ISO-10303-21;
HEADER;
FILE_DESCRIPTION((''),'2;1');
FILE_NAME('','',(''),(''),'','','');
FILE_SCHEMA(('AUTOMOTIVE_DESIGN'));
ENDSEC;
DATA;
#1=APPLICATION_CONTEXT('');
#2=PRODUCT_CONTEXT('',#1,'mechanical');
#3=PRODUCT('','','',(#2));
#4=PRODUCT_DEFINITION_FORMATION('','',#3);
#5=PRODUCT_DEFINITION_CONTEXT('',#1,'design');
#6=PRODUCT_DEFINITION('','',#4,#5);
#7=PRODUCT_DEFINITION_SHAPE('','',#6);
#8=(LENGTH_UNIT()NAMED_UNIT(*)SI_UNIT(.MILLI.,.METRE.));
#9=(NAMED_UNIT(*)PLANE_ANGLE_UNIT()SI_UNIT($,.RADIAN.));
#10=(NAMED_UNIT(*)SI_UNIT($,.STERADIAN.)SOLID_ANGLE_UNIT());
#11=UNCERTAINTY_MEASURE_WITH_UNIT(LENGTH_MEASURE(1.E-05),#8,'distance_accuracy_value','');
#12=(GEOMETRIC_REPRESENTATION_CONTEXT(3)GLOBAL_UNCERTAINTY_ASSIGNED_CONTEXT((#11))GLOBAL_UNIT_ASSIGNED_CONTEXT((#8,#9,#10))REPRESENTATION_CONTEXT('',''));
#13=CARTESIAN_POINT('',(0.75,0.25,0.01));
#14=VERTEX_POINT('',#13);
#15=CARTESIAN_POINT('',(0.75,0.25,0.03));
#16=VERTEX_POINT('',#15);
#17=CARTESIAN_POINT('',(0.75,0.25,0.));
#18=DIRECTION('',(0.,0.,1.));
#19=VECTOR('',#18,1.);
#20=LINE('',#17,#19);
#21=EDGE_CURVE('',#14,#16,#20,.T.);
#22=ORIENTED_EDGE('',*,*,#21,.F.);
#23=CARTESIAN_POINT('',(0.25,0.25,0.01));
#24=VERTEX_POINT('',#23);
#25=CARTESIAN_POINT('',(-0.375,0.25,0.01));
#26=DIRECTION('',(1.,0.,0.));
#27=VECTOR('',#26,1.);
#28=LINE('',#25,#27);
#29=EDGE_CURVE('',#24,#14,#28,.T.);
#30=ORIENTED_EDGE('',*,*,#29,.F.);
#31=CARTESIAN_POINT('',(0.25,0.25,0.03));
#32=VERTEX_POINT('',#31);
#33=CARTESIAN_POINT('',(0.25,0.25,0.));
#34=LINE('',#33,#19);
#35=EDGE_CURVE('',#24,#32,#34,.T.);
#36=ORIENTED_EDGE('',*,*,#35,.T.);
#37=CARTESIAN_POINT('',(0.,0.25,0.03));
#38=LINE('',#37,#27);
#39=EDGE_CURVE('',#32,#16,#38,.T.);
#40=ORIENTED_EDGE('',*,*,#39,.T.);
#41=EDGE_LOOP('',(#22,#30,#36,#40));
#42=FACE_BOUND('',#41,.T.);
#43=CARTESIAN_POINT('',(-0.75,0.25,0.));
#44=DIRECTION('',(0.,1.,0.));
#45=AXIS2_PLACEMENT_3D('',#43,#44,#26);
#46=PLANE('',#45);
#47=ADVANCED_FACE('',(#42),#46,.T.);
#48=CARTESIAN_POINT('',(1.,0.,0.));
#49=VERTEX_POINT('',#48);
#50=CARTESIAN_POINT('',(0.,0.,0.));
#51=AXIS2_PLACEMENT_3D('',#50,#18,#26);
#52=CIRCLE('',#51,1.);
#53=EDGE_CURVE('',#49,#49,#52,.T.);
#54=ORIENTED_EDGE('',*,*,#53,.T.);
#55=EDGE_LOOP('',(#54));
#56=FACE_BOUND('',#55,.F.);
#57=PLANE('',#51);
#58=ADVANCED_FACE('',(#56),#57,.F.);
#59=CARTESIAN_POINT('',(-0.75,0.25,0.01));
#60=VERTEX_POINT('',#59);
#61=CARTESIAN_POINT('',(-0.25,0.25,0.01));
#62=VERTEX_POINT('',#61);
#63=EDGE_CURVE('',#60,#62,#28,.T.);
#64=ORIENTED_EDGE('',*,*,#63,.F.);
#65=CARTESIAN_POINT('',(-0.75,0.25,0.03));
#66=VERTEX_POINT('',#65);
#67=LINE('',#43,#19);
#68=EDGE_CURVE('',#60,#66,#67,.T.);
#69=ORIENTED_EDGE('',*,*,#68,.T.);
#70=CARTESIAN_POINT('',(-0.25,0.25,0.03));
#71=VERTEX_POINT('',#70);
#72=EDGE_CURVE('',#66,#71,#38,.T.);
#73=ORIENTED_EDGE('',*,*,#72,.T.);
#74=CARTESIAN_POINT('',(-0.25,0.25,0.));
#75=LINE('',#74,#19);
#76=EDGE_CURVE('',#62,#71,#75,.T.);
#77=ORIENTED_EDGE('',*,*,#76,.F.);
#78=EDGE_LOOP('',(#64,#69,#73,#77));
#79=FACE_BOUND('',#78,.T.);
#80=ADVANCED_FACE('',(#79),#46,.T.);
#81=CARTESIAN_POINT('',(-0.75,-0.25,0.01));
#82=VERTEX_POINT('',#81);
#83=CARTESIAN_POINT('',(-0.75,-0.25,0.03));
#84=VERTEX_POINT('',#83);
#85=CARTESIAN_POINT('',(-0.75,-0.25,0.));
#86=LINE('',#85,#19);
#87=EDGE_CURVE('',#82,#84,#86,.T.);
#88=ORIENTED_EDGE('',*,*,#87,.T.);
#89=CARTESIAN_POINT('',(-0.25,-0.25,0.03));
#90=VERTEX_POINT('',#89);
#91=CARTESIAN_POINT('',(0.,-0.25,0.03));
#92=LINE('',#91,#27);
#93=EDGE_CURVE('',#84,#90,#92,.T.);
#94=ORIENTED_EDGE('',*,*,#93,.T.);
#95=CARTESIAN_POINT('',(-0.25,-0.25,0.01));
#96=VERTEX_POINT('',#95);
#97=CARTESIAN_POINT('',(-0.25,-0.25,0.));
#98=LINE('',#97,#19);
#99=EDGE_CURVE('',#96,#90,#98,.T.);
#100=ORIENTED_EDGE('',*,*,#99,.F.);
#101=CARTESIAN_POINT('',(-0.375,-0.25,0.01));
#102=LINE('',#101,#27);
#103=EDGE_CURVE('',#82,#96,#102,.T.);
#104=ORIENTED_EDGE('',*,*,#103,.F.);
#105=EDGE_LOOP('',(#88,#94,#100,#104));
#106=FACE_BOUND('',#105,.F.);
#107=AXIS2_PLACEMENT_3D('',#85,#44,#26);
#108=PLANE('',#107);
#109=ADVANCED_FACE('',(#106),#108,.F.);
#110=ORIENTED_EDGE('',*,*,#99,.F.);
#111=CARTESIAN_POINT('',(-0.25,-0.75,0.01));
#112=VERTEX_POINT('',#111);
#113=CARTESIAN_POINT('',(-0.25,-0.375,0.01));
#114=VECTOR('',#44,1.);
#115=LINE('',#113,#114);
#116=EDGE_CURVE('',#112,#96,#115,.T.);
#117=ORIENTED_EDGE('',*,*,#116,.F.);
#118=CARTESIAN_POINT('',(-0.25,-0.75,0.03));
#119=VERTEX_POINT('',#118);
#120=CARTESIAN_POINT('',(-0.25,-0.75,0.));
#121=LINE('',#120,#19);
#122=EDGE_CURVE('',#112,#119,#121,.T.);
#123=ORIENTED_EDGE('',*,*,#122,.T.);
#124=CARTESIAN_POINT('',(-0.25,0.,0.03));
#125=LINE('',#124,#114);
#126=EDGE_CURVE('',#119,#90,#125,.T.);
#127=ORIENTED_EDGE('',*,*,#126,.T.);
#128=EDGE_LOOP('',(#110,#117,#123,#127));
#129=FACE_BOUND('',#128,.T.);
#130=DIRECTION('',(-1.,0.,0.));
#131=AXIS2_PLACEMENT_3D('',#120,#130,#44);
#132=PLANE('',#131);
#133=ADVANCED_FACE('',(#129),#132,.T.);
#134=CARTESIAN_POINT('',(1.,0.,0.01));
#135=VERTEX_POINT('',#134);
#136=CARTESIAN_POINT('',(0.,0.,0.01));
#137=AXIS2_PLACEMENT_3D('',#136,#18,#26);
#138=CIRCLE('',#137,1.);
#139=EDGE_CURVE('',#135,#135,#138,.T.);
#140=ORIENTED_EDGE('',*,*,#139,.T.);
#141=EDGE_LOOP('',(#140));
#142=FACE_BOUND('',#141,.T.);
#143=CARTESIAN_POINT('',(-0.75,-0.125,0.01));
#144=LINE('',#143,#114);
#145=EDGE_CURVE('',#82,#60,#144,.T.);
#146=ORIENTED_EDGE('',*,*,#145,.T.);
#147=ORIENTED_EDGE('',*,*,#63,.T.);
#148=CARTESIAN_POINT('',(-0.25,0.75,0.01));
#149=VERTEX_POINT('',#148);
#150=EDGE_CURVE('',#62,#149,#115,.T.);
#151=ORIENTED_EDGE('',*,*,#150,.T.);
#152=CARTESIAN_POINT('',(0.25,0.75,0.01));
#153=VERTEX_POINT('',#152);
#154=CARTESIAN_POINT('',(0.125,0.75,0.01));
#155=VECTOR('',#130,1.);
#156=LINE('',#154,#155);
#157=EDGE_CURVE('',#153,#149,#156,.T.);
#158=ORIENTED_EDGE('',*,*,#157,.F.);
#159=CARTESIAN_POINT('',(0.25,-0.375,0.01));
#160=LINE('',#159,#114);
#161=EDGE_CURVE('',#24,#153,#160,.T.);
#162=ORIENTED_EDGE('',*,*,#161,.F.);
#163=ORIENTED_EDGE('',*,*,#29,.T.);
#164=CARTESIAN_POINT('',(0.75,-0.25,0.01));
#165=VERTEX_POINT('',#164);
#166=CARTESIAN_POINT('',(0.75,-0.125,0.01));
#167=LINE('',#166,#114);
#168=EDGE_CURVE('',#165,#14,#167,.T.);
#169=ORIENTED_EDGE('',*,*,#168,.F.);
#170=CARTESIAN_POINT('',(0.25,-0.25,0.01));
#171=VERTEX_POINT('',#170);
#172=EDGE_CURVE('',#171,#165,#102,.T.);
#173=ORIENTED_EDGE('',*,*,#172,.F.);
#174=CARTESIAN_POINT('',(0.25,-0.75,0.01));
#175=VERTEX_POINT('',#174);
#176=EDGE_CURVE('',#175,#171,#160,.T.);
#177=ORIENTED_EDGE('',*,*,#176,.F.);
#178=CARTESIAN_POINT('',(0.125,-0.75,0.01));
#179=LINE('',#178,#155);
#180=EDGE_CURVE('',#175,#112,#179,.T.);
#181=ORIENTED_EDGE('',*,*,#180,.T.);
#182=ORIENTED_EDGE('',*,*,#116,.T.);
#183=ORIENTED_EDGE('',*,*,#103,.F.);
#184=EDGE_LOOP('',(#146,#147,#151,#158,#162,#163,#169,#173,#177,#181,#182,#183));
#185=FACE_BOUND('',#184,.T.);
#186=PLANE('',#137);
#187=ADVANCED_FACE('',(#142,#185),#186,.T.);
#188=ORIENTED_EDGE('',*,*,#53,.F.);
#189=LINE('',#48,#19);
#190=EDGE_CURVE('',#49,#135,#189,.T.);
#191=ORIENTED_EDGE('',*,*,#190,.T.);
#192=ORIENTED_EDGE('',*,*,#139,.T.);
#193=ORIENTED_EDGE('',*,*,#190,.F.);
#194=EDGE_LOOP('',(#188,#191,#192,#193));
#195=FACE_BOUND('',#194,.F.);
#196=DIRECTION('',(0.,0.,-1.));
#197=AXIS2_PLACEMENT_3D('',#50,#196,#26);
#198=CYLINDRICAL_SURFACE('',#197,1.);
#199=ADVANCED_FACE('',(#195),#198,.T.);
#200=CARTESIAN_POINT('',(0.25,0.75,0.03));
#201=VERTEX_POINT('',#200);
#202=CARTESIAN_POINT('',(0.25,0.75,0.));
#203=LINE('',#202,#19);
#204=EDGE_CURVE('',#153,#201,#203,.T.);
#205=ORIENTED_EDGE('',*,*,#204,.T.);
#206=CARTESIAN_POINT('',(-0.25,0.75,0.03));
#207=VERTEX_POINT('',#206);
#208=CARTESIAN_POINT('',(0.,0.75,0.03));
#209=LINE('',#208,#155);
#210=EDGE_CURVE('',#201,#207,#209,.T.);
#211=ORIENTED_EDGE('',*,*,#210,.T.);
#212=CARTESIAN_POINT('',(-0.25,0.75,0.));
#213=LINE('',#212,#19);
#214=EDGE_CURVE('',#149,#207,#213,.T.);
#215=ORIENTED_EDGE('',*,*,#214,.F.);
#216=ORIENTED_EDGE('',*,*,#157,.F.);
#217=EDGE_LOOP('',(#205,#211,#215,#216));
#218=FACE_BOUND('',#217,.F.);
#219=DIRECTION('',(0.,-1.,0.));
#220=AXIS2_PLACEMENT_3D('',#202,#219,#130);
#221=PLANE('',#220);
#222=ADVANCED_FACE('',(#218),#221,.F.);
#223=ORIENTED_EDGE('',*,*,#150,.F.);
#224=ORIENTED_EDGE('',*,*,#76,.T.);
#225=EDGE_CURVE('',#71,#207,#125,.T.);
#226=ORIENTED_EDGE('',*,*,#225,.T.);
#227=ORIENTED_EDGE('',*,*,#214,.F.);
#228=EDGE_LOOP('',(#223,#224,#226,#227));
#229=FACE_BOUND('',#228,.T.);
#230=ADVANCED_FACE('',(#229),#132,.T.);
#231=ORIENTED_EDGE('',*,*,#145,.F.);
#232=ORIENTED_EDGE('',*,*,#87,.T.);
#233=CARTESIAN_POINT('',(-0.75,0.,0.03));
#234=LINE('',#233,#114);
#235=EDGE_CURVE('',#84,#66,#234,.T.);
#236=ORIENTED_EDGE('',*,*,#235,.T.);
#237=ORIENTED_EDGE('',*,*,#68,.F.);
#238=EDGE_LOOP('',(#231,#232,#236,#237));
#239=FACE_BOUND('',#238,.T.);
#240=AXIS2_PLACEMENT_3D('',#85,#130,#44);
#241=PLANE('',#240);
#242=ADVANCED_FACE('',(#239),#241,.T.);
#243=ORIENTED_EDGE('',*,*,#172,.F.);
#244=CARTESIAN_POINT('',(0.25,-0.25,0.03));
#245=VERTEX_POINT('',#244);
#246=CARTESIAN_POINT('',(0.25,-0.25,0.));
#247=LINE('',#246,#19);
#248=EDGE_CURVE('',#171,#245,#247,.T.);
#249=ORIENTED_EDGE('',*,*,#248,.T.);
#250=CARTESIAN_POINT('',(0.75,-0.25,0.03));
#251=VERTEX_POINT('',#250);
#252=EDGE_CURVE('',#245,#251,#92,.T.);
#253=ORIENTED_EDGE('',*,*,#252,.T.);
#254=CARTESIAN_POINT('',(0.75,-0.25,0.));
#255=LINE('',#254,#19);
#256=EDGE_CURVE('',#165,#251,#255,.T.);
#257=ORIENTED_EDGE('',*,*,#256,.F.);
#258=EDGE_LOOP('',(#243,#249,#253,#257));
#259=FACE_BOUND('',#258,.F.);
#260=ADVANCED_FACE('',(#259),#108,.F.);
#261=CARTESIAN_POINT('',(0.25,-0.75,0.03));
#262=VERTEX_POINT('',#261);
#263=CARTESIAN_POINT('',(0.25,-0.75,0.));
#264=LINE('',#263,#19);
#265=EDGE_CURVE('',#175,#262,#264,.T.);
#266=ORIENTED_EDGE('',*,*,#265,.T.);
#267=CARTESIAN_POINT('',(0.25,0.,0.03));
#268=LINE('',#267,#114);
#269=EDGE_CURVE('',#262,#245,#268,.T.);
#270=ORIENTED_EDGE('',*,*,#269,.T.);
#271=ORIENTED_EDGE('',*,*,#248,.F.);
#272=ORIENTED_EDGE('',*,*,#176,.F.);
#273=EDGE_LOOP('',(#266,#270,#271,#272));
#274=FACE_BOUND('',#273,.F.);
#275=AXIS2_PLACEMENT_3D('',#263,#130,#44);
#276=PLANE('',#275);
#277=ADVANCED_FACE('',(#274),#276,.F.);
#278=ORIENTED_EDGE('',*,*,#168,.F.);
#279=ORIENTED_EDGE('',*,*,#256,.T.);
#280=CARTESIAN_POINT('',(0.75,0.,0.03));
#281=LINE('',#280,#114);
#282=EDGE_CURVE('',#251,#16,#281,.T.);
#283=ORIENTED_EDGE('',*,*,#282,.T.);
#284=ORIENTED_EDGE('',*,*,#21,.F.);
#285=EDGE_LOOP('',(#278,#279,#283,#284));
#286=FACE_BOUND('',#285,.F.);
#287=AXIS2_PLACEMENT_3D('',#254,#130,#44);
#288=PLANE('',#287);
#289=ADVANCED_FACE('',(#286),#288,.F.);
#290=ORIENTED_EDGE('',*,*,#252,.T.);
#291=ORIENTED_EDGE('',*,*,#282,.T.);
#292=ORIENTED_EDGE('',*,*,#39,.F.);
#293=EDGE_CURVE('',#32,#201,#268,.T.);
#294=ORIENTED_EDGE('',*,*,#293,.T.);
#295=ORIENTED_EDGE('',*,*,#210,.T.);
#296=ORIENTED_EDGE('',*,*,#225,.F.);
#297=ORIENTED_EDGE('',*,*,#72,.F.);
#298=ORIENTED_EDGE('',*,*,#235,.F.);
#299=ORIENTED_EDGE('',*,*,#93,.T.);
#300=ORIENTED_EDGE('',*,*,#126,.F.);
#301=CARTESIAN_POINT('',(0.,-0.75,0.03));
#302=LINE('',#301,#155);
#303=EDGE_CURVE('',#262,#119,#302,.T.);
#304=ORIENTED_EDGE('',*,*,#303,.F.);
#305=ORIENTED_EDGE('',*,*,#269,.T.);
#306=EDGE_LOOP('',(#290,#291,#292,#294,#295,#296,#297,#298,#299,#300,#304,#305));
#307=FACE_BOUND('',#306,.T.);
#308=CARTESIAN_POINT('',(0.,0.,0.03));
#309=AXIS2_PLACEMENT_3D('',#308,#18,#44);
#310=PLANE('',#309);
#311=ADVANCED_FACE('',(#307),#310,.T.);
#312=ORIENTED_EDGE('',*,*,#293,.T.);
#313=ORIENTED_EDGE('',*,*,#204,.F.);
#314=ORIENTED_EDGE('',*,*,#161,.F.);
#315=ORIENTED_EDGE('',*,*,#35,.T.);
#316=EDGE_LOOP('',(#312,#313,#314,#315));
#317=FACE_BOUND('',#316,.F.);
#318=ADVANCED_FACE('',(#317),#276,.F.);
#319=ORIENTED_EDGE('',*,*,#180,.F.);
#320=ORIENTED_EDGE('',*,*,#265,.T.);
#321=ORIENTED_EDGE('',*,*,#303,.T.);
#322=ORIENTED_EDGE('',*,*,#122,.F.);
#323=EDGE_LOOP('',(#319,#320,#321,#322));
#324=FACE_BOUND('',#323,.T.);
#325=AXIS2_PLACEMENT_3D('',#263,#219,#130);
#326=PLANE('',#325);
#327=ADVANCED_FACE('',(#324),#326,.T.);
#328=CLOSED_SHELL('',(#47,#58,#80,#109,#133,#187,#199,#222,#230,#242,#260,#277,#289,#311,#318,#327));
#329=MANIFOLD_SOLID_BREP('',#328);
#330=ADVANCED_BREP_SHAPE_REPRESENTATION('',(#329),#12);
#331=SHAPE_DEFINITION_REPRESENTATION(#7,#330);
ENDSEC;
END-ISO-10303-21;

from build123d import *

# Parameters (mm, degrees)
CYLINDER_R             = 1
CYLINDER_DEPTH         = 0.01
BOX001_W               = 1.5
BOX001_H               = 0.5
BOX001_DEPTH           = 0.03
BOX001_PLACEMENT_ANGLE = 90
BOX_W                  = 1.5
BOX_H                  = 0.5
BOX_DEPTH              = 0.03


with BuildPart() as loetstop:
    # Cylinder → Cylinder (new body)
    with BuildSketch(Plane.XY):
        Circle(CYLINDER_R)
    extrude(amount=CYLINDER_DEPTH)


with BuildPart() as box001:
    # Box001 → Box001 (new body)
    with BuildSketch(Plane.XY):
        with Locations((0.75, 0.25)):
            Rectangle(BOX001_W, BOX001_H)
    extrude(amount=BOX001_DEPTH)


with BuildPart() as box001_1:
    # Box001 placement: moved
    add(box001.part.moved(Location((0.25, -0.75, 0))).rotate(Axis((0.25, -0.75, 0), (0, 0, 1)), BOX001_PLACEMENT_ANGLE))


with BuildPart() as fid150x200cross:
    # Box → Box (new body)
    with BuildSketch(Plane(origin=(-0.75, -0.25, 0), x_dir=(1, 0, 0), z_dir=(0, 0, 1))):
        with Locations((0.75, 0.25)):
            Rectangle(BOX_W, BOX_H)
    extrude(amount=BOX_DEPTH)

    # Fusion: union Box001
    add(box001_1.part)

    # Fusion001: union Loetstop
    add(loetstop.part)


solid = fid150x200cross.part
